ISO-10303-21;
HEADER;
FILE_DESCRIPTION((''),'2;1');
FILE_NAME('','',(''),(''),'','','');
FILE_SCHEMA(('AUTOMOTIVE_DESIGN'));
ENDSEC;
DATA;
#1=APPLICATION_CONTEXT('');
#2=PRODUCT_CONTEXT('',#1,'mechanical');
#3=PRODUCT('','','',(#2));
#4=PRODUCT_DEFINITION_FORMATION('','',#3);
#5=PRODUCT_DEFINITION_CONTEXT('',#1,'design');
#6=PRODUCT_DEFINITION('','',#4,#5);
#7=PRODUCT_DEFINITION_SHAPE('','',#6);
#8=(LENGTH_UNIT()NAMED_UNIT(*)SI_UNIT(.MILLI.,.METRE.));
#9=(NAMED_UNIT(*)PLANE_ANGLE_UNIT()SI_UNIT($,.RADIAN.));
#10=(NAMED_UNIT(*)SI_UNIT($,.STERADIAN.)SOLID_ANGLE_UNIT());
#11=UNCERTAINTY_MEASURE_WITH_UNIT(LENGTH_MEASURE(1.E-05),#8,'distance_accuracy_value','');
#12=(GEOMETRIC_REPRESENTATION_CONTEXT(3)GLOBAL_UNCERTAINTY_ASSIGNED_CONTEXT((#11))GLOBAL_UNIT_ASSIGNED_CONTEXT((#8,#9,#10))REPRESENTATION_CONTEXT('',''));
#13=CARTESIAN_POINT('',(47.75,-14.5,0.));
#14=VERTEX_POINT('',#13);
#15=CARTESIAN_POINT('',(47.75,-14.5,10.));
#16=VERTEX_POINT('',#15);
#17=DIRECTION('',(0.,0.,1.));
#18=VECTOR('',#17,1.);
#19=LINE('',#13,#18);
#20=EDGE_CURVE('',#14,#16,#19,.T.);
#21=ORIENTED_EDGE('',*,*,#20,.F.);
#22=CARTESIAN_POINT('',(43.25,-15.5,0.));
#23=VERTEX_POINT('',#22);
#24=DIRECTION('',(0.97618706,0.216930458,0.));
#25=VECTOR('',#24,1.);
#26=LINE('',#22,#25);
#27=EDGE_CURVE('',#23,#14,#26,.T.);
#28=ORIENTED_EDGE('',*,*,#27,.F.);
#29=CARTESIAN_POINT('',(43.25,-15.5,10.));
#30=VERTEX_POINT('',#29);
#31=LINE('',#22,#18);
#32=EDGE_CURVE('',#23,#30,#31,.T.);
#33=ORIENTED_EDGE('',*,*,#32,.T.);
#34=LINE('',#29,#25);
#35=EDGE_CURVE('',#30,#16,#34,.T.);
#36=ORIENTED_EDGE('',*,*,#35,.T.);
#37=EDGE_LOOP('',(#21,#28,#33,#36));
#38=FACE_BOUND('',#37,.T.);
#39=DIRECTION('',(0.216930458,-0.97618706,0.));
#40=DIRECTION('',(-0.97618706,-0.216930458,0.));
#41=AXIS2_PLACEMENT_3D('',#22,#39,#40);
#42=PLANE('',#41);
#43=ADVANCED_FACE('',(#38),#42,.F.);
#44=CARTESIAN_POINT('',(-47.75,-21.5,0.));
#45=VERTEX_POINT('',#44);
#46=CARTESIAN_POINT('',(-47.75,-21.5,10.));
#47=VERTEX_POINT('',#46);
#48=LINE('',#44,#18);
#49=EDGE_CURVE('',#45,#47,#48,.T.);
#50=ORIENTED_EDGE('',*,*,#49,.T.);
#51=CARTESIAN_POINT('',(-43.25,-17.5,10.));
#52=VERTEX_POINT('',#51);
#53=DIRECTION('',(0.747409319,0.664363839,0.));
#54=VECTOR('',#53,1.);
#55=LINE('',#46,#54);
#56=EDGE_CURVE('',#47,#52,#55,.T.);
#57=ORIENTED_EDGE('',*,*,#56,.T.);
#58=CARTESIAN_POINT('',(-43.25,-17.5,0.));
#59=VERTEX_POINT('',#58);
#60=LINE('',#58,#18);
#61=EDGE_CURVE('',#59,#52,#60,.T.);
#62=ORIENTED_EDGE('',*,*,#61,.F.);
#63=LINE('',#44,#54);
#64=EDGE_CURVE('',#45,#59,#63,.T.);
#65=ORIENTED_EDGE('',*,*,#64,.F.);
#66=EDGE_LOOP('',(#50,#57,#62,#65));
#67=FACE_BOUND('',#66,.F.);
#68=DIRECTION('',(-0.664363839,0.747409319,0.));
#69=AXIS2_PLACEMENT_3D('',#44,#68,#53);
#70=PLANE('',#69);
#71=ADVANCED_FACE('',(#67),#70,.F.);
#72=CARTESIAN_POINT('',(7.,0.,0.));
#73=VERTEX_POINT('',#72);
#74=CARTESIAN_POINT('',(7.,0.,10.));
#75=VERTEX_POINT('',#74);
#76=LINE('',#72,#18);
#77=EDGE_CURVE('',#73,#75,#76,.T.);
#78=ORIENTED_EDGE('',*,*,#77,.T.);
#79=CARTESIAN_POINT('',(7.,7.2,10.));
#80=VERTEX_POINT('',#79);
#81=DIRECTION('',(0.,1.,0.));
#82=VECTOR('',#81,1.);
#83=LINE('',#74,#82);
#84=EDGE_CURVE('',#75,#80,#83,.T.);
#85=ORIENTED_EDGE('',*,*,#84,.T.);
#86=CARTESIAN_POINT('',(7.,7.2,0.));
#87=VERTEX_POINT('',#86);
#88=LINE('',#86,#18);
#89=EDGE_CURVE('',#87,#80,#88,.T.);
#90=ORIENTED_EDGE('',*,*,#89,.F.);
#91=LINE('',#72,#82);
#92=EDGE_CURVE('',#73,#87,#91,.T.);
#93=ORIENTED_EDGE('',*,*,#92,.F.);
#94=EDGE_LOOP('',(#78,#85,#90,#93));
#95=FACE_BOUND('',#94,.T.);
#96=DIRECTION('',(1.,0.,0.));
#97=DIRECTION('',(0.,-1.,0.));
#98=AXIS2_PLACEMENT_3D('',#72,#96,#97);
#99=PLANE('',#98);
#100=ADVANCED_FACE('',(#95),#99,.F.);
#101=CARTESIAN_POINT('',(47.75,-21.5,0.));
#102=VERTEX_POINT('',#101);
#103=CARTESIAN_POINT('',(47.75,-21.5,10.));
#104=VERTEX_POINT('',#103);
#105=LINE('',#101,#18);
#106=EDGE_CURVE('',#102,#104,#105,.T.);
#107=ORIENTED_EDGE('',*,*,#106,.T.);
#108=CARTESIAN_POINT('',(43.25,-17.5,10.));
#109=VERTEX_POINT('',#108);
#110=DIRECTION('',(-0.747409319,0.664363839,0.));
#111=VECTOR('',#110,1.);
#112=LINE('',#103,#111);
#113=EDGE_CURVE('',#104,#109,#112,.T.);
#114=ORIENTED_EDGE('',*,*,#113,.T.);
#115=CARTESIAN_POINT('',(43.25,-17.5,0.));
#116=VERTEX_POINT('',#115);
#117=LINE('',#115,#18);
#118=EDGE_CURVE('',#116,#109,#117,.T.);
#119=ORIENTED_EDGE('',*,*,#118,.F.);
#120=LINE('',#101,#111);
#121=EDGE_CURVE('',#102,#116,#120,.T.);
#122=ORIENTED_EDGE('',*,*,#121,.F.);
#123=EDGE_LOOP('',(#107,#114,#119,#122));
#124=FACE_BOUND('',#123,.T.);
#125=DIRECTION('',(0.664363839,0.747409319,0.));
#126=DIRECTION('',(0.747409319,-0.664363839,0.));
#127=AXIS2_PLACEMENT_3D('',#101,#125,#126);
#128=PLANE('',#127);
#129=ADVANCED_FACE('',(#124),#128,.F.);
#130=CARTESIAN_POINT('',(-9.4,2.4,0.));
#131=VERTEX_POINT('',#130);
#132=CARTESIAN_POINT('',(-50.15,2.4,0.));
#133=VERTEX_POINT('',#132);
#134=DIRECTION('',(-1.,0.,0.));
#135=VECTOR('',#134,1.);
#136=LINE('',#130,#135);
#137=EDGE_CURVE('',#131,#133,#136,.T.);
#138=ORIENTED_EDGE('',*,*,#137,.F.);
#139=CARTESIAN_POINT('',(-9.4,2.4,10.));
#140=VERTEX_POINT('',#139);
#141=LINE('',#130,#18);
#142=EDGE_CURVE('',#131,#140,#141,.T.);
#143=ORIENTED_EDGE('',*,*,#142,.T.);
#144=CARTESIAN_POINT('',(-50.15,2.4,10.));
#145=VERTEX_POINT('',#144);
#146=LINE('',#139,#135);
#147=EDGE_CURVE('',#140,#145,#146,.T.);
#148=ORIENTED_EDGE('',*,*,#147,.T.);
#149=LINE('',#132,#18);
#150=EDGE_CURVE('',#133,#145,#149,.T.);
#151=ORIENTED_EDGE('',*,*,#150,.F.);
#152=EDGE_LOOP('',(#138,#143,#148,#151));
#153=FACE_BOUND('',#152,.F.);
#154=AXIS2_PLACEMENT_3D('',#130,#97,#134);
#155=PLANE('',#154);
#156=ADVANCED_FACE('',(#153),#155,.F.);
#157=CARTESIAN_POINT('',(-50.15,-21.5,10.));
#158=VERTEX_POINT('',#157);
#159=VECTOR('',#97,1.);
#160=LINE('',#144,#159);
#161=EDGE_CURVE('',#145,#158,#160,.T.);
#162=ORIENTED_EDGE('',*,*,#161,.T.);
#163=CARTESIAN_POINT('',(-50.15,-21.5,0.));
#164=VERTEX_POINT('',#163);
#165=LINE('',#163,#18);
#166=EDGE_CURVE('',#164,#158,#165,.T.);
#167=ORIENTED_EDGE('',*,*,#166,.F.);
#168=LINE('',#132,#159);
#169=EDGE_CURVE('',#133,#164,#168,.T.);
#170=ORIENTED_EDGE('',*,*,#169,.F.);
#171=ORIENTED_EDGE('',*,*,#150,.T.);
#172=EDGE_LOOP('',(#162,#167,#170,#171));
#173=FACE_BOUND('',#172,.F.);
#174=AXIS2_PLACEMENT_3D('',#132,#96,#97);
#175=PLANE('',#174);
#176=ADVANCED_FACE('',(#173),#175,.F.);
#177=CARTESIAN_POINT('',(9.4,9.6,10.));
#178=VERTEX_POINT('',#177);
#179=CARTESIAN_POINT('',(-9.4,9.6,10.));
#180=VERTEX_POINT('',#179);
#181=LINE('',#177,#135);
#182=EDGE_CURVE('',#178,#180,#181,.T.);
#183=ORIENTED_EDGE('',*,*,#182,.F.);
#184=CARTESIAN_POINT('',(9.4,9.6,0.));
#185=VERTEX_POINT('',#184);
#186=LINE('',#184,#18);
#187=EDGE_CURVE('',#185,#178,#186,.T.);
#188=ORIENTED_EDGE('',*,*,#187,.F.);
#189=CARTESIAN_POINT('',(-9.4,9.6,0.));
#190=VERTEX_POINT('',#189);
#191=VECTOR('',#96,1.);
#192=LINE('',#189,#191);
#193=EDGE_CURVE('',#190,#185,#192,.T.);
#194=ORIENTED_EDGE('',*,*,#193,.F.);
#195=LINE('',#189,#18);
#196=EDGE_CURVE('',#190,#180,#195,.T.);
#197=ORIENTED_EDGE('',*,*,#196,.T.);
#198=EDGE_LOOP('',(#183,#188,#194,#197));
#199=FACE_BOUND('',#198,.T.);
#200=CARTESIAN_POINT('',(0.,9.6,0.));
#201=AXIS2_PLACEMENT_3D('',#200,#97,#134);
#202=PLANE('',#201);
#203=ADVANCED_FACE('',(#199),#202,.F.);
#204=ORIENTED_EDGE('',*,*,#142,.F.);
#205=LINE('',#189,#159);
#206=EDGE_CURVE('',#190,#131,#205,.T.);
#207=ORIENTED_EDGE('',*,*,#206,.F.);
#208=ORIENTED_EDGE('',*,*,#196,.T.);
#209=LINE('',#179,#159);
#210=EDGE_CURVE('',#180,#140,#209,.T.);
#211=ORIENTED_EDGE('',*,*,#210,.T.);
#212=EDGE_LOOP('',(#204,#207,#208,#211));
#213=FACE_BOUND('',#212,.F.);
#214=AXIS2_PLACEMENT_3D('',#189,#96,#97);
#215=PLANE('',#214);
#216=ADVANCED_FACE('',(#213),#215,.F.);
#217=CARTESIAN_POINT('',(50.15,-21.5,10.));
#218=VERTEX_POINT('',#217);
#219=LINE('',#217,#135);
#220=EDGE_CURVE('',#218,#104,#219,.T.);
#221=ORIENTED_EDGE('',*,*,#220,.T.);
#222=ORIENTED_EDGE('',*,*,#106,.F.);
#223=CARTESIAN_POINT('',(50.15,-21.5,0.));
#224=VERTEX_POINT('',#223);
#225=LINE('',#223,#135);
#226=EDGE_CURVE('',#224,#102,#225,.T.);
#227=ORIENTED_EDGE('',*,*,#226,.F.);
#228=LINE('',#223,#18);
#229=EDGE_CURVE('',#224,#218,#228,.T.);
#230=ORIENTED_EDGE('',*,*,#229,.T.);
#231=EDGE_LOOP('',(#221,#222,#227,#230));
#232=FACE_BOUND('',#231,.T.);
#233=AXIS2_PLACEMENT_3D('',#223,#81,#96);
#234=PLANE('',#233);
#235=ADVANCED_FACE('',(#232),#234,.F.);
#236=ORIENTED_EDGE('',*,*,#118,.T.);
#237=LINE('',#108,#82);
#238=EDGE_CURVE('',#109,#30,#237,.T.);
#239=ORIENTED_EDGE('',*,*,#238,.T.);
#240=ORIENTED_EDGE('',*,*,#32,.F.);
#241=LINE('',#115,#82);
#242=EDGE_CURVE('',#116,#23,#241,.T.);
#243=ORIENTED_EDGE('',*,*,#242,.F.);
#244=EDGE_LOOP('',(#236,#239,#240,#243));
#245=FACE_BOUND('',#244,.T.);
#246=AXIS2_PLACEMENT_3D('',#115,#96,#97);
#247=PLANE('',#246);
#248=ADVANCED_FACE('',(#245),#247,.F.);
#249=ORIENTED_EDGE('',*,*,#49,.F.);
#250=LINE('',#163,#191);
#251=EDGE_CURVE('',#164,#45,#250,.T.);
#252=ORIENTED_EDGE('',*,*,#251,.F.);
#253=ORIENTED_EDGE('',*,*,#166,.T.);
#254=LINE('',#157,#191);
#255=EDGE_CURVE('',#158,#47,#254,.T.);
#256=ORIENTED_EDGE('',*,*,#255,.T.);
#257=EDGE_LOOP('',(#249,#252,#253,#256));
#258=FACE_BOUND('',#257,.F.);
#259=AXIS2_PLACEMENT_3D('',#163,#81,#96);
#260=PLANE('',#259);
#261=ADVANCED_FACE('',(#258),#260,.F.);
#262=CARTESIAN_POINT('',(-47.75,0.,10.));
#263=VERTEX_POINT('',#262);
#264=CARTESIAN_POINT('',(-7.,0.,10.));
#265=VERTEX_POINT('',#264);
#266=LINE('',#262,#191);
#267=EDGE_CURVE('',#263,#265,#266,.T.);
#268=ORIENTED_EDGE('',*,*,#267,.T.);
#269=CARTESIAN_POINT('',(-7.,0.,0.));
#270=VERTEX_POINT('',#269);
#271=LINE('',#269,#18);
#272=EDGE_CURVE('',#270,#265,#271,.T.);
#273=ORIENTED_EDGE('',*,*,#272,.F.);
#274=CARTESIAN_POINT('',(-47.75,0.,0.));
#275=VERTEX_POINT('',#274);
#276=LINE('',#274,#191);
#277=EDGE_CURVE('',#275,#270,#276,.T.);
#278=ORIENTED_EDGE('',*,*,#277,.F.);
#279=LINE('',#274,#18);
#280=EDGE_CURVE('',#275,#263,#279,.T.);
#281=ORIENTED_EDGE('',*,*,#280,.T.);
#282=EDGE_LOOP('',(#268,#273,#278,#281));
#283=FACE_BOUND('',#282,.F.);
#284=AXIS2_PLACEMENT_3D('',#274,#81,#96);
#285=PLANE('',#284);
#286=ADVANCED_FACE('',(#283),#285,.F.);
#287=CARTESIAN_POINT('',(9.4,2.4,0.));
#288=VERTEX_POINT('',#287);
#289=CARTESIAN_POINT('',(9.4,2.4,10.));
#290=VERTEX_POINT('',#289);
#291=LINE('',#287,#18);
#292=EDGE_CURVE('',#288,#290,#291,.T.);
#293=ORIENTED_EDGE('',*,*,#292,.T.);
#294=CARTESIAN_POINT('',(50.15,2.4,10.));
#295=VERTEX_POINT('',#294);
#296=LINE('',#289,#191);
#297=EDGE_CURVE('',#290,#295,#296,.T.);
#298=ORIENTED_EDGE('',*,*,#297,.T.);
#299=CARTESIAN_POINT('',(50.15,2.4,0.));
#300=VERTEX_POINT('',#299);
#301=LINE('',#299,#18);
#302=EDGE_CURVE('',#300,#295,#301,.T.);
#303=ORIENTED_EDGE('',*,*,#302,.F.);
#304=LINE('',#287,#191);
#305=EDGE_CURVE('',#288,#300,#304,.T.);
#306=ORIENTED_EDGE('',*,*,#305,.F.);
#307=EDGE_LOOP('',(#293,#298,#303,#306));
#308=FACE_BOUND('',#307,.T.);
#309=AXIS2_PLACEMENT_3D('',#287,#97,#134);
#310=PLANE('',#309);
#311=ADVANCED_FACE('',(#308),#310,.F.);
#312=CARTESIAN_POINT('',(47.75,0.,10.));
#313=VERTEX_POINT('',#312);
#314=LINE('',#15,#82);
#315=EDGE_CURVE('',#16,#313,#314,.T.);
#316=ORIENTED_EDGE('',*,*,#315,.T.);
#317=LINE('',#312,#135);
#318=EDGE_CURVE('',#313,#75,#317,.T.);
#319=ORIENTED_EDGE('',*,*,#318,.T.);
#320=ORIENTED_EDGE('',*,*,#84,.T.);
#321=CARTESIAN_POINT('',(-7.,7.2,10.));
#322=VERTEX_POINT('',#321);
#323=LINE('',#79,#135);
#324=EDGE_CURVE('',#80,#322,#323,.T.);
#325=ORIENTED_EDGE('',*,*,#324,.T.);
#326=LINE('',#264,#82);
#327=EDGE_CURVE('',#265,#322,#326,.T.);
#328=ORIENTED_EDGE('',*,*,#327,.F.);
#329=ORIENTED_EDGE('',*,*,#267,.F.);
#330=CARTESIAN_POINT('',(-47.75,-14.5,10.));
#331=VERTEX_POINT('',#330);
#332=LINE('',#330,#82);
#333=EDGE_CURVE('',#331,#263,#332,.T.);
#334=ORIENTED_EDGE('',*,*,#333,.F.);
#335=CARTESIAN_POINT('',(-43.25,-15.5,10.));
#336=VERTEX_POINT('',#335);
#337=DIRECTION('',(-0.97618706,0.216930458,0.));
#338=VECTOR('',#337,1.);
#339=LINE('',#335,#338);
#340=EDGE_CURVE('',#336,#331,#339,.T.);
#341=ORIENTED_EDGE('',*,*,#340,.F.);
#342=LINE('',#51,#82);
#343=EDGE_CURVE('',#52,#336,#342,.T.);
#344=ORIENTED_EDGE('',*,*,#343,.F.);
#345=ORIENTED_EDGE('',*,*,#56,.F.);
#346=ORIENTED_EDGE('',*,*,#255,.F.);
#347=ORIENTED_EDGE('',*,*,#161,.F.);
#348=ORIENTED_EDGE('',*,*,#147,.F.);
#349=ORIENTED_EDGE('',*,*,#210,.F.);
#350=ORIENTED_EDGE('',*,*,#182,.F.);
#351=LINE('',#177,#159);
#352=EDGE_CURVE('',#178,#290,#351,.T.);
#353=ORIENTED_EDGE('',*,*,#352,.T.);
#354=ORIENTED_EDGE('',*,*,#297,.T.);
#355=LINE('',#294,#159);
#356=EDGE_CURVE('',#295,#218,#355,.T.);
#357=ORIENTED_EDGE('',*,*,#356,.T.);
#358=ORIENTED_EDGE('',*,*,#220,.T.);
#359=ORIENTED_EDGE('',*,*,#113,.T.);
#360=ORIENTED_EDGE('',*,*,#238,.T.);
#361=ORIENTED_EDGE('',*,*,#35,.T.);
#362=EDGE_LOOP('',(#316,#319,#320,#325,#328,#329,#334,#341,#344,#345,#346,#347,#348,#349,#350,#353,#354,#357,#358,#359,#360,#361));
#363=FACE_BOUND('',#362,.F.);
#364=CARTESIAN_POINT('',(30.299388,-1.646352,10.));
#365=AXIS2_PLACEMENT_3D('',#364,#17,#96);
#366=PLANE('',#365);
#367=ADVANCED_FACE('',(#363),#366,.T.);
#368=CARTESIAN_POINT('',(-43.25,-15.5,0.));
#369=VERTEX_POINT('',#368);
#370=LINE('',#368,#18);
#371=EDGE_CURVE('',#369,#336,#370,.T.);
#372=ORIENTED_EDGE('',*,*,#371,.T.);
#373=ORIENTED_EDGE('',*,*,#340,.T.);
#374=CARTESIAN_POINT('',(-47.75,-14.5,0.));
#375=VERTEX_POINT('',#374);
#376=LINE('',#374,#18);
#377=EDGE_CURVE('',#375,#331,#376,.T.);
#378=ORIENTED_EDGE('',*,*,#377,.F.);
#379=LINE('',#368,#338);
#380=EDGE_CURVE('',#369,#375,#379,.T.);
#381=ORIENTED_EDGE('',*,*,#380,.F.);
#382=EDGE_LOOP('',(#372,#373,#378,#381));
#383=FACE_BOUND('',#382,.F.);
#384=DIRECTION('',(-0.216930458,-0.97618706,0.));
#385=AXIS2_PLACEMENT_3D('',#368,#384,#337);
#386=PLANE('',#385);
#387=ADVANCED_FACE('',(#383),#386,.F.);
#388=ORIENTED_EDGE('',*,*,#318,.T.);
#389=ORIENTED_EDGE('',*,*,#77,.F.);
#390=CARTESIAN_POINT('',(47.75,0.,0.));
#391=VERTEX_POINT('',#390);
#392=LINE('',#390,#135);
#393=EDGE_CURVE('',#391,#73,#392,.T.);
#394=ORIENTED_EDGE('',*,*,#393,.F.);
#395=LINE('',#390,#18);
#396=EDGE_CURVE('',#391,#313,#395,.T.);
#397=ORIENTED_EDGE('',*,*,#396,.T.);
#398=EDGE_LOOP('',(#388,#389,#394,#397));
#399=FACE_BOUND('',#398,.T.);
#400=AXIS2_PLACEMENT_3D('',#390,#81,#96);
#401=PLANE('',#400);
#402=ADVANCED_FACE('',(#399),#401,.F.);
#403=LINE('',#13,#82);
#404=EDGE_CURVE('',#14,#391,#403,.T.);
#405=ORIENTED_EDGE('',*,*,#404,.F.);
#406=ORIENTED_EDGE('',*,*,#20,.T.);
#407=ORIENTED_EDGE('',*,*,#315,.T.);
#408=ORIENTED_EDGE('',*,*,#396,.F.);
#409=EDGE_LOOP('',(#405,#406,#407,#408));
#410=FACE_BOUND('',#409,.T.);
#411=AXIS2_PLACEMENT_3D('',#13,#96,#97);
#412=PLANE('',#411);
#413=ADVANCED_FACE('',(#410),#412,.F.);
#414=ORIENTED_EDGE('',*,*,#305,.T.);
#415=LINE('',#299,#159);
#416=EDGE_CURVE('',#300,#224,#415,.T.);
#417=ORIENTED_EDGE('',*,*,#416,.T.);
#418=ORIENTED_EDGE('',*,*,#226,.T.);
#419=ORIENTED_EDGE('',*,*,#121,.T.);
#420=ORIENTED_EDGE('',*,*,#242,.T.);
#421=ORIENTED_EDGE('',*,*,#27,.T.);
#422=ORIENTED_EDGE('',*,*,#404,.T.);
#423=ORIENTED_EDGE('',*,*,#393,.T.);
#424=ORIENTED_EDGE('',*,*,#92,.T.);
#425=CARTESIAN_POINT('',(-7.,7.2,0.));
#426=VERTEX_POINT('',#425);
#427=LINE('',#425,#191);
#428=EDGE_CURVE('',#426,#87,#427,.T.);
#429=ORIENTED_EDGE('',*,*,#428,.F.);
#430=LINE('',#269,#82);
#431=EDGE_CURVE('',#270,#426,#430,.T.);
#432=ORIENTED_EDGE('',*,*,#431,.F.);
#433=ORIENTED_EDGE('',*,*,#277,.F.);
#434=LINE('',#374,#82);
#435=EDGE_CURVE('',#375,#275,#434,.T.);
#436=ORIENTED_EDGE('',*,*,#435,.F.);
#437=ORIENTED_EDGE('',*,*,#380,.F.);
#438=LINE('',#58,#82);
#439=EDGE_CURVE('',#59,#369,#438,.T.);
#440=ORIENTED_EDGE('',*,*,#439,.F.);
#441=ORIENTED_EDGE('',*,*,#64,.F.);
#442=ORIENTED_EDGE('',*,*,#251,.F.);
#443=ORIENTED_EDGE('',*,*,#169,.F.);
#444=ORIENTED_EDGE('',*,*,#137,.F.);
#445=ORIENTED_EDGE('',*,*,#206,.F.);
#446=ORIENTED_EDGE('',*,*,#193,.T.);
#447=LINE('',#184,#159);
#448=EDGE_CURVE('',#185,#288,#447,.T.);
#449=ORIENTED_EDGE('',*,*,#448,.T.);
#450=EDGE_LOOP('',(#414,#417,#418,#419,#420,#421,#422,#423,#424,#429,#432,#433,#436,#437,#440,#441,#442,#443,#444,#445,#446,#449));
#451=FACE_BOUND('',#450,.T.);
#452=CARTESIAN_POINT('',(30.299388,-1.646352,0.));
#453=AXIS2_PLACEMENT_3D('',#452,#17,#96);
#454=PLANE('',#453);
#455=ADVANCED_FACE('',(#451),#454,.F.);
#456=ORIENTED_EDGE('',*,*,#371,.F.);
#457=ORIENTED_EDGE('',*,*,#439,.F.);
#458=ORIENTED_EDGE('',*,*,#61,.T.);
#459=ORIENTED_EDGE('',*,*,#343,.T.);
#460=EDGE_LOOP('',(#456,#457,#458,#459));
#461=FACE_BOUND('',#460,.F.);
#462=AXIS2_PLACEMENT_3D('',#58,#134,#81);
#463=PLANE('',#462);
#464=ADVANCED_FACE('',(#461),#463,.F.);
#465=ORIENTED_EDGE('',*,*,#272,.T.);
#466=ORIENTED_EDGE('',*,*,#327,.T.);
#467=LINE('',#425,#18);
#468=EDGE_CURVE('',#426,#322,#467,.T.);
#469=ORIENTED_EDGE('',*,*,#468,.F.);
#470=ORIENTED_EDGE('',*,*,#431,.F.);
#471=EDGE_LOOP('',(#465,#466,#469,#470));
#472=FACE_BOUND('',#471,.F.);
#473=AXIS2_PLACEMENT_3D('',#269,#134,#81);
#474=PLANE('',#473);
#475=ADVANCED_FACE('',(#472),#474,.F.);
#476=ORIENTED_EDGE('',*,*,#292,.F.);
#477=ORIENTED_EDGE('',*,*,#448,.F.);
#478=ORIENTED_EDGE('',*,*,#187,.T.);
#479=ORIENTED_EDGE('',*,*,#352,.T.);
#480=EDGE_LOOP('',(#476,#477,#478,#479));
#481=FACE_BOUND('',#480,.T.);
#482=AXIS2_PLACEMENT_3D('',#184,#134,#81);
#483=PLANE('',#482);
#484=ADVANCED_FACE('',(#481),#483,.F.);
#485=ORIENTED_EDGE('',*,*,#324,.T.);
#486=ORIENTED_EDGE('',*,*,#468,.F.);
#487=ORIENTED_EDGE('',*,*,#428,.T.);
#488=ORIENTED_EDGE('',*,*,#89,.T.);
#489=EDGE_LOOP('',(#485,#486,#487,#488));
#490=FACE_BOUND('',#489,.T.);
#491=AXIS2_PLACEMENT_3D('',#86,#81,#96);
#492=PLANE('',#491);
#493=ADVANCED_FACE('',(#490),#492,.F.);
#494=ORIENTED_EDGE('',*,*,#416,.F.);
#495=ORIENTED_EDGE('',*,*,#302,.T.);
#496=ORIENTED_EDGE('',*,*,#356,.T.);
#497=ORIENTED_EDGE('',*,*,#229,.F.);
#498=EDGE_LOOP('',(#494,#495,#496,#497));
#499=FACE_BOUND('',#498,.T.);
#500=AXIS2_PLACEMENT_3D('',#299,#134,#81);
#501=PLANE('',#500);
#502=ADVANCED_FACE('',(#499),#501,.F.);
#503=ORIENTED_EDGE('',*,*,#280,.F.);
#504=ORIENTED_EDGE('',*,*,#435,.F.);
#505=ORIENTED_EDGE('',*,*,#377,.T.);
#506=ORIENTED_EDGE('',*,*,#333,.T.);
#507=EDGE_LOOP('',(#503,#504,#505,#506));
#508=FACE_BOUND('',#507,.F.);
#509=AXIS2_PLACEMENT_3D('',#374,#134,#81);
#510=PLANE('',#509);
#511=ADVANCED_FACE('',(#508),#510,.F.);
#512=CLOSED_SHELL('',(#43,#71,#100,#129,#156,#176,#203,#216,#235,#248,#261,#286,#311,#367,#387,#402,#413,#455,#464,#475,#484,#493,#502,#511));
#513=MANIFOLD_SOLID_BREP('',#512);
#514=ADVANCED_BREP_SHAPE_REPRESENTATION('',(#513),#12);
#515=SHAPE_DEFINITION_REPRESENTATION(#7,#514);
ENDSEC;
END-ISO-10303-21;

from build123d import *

# Parameters (mm, degrees)
F2_DEPTH = 10


with BuildPart() as f2:
    # F1 (on Top) → F2 (new body)
    with BuildSketch(Plane.XY):
        Polygon((-7, 7.2), (0, 7.2), (0, 9.6), (-9.4, 9.6), (-9.4, 2.4), (-50.15, 2.4), (-50.15, -21.5), (-47.75, -21.5), (-43.25, -17.5), (-43.25, -15.5), (-47.75, -14.5), (-47.75, 0), (-7, 0), align=None)
    extrude(amount=F2_DEPTH)

    # F3: F2 across plane


with BuildPart() as f2_1:
    add(f2.part)
    add(f2.part.mirror(Plane.YZ))


solid = f2_1.part
